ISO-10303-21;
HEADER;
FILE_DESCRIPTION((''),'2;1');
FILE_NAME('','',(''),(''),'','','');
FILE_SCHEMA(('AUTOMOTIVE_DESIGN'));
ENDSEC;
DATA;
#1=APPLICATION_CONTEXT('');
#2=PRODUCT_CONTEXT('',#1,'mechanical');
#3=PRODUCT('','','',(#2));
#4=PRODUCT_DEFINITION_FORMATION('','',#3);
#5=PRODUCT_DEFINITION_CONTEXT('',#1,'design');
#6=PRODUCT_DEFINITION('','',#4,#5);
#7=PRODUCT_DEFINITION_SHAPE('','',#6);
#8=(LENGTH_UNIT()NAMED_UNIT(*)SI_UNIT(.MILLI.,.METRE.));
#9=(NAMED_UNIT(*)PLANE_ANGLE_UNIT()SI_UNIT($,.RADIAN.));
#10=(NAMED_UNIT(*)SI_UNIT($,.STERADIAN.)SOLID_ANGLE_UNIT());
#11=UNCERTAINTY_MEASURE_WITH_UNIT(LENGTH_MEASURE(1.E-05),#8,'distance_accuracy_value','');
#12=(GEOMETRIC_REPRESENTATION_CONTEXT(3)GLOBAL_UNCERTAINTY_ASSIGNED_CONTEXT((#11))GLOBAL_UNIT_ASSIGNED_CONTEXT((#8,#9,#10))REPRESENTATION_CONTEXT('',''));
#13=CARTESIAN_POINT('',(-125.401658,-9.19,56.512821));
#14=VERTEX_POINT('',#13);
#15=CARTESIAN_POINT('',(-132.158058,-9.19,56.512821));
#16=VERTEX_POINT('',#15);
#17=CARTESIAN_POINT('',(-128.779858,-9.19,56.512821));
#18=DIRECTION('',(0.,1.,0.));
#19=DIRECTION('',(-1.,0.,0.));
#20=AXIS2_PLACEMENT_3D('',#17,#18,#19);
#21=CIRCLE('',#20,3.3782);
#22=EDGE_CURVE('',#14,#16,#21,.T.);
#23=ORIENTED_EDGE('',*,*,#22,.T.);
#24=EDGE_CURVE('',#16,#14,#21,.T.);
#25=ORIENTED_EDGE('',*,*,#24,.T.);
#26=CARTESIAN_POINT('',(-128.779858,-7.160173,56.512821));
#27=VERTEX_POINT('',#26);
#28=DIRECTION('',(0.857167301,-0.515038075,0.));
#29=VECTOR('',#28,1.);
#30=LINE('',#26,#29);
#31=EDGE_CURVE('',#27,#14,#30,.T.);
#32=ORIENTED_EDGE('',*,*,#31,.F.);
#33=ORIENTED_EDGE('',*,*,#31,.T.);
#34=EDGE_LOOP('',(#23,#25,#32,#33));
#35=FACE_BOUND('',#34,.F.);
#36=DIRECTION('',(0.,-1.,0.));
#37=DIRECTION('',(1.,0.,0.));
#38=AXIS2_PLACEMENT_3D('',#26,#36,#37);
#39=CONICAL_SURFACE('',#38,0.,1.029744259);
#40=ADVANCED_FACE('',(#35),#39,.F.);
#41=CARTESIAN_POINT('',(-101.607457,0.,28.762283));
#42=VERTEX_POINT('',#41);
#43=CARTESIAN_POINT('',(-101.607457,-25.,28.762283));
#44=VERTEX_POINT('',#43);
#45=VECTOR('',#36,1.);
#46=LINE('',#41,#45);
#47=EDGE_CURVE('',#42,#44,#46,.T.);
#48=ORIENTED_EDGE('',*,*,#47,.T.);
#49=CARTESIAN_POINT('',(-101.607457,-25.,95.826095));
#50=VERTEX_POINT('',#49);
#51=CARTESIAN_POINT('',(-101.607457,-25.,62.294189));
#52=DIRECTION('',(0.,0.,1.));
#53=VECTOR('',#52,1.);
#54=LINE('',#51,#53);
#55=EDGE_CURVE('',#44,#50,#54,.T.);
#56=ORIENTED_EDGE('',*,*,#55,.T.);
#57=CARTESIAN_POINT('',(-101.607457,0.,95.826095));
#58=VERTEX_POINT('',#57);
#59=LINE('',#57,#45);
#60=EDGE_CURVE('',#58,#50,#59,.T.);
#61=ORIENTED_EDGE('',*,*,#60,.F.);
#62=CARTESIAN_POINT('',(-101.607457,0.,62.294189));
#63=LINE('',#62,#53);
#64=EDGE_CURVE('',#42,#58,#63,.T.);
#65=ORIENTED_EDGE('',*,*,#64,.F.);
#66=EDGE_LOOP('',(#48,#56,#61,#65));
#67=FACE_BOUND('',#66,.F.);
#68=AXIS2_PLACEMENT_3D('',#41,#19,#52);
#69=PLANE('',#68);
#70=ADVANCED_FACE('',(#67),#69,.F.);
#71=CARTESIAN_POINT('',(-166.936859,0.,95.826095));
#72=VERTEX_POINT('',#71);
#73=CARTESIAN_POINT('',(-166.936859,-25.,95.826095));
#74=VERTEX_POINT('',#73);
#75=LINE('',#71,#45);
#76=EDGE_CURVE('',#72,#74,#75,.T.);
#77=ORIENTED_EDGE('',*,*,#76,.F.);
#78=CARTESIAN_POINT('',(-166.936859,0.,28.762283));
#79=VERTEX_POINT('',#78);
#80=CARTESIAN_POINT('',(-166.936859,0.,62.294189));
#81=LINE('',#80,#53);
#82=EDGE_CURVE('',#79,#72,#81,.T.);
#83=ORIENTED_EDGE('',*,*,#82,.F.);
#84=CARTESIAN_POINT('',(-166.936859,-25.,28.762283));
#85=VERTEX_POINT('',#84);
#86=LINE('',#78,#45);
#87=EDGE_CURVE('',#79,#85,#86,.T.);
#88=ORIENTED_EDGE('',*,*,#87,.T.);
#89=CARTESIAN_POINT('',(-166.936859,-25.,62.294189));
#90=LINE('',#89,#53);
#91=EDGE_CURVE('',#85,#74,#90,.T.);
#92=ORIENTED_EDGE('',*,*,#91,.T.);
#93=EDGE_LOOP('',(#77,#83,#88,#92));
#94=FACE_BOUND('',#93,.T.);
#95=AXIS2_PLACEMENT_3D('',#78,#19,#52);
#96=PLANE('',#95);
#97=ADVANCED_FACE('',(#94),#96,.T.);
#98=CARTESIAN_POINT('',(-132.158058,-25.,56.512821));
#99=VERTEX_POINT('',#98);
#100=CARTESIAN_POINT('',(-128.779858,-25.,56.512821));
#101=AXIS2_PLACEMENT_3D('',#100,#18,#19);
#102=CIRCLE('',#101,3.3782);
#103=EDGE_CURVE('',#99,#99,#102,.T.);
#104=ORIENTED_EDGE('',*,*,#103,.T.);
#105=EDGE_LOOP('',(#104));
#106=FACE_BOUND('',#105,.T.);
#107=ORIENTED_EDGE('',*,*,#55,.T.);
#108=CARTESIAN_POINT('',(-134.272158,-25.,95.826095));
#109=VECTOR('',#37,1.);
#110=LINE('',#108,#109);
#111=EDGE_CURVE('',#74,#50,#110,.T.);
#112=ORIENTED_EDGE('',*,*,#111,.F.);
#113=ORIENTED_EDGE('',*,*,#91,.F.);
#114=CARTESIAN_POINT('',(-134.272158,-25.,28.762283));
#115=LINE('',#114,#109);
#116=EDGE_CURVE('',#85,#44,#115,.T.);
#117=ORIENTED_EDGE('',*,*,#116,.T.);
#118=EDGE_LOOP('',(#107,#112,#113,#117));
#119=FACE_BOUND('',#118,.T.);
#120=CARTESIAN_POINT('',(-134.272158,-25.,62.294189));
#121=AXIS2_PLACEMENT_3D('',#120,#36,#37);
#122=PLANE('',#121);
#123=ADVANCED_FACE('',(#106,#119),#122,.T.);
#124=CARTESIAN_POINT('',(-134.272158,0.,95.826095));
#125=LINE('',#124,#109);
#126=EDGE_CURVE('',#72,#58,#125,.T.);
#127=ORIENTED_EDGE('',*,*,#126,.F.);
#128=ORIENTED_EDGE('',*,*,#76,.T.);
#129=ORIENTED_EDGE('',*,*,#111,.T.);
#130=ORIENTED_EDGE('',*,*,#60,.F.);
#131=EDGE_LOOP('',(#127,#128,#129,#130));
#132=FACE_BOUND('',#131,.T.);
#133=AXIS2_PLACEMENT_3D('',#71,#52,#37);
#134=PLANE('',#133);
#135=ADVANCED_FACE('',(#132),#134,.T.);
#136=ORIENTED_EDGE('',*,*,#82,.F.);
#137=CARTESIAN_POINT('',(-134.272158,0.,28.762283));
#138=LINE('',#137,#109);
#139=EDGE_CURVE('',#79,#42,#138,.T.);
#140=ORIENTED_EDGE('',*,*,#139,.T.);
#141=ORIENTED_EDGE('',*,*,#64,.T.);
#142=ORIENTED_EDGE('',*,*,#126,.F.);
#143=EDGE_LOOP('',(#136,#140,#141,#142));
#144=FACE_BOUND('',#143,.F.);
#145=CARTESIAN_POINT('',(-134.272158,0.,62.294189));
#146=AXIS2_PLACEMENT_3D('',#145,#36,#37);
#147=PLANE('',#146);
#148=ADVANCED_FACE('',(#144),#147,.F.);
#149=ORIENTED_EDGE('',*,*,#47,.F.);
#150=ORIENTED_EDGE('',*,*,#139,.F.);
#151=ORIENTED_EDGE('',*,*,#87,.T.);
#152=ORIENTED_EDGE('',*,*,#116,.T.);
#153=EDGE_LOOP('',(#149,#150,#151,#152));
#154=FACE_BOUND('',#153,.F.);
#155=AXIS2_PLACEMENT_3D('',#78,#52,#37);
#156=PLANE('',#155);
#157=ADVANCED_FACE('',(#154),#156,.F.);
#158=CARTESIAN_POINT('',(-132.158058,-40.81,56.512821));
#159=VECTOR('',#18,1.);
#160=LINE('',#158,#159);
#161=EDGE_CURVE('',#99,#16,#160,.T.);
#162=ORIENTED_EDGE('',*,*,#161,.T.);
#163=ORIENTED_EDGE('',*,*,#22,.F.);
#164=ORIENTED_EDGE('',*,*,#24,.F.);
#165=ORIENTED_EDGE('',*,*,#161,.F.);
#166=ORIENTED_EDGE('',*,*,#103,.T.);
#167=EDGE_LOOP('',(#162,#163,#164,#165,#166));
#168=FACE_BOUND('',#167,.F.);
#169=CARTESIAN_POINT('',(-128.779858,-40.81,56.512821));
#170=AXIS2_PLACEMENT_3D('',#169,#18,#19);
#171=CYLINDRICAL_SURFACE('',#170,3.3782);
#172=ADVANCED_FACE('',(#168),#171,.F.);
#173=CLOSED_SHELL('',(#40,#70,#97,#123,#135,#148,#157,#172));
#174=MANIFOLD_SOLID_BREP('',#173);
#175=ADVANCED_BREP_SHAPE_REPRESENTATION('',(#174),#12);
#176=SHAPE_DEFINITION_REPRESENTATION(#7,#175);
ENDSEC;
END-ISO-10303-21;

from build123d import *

# Parameters (mm, degrees)
F0_W     = 65.3294026852
F0_H     = 67.0638121665
F1_DEPTH = 25
F3_D     = 6.7564
F3_DEPTH = 15.81
F3_TIP   = 2.0298273432


with BuildPart() as f1:
    # F0 (on Front) → F1 (new body)
    with BuildSketch(Plane.XZ):
        with Locations((-134.2721581459, 62.2941888869)):
            Rectangle(F0_W, F0_H)
    extrude(amount=F1_DEPTH)

    # F3
    with Locations(Plane.XZ.offset(25)):
        with Locations((-128.7798583508, 56.5128214657)):
            Hole(F3_D / 2, depth=F3_DEPTH)
            with Locations((0, 0, -(F3_DEPTH + F3_TIP / 2))):  # 118° drill point
                Cone(0, F3_D / 2, F3_TIP, mode=Mode.SUBTRACT)


solid = f1.part
